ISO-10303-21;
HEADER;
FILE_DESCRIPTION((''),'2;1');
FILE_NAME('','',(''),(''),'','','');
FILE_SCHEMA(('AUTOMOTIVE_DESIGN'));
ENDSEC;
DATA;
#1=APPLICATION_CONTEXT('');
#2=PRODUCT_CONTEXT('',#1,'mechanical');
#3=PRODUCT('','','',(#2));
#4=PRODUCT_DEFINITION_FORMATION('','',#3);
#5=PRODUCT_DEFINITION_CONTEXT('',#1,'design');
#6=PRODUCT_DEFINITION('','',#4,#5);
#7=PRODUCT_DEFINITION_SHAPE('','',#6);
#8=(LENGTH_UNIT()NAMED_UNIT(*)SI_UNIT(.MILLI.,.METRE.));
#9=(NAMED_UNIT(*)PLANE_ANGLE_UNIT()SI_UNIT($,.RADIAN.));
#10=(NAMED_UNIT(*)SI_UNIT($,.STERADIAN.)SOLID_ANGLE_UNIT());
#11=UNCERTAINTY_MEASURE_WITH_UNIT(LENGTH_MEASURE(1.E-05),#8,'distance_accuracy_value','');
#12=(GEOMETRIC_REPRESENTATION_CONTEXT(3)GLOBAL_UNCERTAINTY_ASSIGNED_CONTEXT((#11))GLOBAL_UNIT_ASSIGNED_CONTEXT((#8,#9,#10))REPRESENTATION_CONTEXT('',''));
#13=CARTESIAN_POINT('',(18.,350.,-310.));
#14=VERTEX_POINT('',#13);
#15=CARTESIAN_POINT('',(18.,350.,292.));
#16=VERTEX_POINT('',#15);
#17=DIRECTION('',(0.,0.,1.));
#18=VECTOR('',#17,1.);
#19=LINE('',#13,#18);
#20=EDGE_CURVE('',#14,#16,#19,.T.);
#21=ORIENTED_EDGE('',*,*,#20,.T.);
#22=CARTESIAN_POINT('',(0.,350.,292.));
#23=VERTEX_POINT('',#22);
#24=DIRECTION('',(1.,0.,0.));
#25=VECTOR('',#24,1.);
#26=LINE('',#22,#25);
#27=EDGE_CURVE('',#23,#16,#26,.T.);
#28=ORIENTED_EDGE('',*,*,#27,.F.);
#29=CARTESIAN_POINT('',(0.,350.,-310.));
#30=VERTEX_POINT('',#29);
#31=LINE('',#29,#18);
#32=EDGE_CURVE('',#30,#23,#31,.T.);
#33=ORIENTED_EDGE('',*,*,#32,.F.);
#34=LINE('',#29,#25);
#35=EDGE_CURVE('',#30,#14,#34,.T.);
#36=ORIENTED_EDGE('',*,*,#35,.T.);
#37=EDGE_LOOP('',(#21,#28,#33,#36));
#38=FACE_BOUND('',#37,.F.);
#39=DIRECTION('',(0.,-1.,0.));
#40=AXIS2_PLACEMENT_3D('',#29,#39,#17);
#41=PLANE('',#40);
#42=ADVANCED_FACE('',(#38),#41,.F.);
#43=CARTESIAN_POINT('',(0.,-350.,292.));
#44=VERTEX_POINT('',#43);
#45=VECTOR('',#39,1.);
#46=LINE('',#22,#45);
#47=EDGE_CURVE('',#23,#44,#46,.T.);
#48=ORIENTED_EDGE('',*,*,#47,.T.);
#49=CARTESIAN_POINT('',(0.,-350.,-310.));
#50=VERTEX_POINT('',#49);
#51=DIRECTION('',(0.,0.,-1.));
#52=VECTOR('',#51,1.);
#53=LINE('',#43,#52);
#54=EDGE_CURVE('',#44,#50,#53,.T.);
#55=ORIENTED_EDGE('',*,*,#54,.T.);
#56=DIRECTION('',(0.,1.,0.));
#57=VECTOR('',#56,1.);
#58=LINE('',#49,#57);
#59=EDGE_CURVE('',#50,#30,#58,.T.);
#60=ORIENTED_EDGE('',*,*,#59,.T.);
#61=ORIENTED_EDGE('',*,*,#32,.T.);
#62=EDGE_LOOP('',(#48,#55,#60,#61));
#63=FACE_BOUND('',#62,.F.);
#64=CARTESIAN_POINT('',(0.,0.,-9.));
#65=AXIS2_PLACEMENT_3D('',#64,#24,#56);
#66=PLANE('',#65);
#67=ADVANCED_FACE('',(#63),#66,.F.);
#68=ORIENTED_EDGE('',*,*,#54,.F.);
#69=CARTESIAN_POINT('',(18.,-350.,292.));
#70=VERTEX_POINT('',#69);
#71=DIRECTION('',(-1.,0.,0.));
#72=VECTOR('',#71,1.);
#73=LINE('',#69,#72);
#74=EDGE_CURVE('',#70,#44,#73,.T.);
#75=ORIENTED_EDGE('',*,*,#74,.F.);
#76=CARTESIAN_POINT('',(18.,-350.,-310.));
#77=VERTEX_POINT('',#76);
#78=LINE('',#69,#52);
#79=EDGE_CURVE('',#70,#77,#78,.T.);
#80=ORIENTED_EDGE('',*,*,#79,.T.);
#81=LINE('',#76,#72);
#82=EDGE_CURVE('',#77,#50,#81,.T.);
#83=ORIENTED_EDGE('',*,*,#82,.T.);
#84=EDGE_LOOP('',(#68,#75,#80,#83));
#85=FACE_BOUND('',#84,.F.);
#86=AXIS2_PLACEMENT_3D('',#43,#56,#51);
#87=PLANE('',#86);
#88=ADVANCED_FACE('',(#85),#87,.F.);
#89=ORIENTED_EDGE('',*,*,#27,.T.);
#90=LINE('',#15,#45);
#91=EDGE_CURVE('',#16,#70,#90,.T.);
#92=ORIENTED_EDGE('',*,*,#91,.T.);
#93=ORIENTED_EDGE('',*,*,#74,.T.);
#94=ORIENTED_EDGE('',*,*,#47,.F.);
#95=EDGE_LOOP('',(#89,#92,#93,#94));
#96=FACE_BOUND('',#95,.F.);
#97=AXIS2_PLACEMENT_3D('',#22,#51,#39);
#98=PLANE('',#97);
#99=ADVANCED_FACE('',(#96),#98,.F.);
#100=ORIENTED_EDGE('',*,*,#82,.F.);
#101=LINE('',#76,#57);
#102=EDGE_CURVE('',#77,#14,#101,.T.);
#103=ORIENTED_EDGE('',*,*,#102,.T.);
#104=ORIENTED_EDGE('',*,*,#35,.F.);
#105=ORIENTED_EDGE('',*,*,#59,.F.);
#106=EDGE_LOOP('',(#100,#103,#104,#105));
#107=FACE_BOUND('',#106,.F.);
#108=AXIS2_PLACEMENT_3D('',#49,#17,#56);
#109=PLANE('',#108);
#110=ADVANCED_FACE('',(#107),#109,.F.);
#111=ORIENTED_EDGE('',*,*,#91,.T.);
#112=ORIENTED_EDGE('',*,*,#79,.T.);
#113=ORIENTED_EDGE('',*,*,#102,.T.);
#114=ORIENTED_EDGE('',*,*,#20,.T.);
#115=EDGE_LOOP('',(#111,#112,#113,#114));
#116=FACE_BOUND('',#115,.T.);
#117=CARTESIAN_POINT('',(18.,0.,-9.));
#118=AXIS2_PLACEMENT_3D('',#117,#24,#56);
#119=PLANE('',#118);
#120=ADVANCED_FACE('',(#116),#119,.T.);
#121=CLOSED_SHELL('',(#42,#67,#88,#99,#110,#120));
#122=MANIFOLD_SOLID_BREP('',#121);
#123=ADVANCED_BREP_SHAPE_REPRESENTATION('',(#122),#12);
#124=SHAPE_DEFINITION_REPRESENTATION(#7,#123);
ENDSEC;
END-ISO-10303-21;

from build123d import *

# Parameters (mm, degrees)
F1_DEPTH = 9
F2_DEPTH = 18


with BuildPart() as f1:
    # F0 (on Right) → F1 (new body)
    with BuildSketch(Plane.YZ):
        Polygon((-350, -310), (350, -310), (350, 162), (350, 292), (-350, 292), (-350, 162), align=None)
    extrude(amount=F1_DEPTH)

    # F0 (on Right) → F2 (join)
    with BuildSketch(Plane.YZ):
        Polygon((-350, -310), (350, -310), (350, 162), (350, 292), (-350, 292), (-350, 162), align=None)
    extrude(amount=F2_DEPTH)


solid = f1.part
